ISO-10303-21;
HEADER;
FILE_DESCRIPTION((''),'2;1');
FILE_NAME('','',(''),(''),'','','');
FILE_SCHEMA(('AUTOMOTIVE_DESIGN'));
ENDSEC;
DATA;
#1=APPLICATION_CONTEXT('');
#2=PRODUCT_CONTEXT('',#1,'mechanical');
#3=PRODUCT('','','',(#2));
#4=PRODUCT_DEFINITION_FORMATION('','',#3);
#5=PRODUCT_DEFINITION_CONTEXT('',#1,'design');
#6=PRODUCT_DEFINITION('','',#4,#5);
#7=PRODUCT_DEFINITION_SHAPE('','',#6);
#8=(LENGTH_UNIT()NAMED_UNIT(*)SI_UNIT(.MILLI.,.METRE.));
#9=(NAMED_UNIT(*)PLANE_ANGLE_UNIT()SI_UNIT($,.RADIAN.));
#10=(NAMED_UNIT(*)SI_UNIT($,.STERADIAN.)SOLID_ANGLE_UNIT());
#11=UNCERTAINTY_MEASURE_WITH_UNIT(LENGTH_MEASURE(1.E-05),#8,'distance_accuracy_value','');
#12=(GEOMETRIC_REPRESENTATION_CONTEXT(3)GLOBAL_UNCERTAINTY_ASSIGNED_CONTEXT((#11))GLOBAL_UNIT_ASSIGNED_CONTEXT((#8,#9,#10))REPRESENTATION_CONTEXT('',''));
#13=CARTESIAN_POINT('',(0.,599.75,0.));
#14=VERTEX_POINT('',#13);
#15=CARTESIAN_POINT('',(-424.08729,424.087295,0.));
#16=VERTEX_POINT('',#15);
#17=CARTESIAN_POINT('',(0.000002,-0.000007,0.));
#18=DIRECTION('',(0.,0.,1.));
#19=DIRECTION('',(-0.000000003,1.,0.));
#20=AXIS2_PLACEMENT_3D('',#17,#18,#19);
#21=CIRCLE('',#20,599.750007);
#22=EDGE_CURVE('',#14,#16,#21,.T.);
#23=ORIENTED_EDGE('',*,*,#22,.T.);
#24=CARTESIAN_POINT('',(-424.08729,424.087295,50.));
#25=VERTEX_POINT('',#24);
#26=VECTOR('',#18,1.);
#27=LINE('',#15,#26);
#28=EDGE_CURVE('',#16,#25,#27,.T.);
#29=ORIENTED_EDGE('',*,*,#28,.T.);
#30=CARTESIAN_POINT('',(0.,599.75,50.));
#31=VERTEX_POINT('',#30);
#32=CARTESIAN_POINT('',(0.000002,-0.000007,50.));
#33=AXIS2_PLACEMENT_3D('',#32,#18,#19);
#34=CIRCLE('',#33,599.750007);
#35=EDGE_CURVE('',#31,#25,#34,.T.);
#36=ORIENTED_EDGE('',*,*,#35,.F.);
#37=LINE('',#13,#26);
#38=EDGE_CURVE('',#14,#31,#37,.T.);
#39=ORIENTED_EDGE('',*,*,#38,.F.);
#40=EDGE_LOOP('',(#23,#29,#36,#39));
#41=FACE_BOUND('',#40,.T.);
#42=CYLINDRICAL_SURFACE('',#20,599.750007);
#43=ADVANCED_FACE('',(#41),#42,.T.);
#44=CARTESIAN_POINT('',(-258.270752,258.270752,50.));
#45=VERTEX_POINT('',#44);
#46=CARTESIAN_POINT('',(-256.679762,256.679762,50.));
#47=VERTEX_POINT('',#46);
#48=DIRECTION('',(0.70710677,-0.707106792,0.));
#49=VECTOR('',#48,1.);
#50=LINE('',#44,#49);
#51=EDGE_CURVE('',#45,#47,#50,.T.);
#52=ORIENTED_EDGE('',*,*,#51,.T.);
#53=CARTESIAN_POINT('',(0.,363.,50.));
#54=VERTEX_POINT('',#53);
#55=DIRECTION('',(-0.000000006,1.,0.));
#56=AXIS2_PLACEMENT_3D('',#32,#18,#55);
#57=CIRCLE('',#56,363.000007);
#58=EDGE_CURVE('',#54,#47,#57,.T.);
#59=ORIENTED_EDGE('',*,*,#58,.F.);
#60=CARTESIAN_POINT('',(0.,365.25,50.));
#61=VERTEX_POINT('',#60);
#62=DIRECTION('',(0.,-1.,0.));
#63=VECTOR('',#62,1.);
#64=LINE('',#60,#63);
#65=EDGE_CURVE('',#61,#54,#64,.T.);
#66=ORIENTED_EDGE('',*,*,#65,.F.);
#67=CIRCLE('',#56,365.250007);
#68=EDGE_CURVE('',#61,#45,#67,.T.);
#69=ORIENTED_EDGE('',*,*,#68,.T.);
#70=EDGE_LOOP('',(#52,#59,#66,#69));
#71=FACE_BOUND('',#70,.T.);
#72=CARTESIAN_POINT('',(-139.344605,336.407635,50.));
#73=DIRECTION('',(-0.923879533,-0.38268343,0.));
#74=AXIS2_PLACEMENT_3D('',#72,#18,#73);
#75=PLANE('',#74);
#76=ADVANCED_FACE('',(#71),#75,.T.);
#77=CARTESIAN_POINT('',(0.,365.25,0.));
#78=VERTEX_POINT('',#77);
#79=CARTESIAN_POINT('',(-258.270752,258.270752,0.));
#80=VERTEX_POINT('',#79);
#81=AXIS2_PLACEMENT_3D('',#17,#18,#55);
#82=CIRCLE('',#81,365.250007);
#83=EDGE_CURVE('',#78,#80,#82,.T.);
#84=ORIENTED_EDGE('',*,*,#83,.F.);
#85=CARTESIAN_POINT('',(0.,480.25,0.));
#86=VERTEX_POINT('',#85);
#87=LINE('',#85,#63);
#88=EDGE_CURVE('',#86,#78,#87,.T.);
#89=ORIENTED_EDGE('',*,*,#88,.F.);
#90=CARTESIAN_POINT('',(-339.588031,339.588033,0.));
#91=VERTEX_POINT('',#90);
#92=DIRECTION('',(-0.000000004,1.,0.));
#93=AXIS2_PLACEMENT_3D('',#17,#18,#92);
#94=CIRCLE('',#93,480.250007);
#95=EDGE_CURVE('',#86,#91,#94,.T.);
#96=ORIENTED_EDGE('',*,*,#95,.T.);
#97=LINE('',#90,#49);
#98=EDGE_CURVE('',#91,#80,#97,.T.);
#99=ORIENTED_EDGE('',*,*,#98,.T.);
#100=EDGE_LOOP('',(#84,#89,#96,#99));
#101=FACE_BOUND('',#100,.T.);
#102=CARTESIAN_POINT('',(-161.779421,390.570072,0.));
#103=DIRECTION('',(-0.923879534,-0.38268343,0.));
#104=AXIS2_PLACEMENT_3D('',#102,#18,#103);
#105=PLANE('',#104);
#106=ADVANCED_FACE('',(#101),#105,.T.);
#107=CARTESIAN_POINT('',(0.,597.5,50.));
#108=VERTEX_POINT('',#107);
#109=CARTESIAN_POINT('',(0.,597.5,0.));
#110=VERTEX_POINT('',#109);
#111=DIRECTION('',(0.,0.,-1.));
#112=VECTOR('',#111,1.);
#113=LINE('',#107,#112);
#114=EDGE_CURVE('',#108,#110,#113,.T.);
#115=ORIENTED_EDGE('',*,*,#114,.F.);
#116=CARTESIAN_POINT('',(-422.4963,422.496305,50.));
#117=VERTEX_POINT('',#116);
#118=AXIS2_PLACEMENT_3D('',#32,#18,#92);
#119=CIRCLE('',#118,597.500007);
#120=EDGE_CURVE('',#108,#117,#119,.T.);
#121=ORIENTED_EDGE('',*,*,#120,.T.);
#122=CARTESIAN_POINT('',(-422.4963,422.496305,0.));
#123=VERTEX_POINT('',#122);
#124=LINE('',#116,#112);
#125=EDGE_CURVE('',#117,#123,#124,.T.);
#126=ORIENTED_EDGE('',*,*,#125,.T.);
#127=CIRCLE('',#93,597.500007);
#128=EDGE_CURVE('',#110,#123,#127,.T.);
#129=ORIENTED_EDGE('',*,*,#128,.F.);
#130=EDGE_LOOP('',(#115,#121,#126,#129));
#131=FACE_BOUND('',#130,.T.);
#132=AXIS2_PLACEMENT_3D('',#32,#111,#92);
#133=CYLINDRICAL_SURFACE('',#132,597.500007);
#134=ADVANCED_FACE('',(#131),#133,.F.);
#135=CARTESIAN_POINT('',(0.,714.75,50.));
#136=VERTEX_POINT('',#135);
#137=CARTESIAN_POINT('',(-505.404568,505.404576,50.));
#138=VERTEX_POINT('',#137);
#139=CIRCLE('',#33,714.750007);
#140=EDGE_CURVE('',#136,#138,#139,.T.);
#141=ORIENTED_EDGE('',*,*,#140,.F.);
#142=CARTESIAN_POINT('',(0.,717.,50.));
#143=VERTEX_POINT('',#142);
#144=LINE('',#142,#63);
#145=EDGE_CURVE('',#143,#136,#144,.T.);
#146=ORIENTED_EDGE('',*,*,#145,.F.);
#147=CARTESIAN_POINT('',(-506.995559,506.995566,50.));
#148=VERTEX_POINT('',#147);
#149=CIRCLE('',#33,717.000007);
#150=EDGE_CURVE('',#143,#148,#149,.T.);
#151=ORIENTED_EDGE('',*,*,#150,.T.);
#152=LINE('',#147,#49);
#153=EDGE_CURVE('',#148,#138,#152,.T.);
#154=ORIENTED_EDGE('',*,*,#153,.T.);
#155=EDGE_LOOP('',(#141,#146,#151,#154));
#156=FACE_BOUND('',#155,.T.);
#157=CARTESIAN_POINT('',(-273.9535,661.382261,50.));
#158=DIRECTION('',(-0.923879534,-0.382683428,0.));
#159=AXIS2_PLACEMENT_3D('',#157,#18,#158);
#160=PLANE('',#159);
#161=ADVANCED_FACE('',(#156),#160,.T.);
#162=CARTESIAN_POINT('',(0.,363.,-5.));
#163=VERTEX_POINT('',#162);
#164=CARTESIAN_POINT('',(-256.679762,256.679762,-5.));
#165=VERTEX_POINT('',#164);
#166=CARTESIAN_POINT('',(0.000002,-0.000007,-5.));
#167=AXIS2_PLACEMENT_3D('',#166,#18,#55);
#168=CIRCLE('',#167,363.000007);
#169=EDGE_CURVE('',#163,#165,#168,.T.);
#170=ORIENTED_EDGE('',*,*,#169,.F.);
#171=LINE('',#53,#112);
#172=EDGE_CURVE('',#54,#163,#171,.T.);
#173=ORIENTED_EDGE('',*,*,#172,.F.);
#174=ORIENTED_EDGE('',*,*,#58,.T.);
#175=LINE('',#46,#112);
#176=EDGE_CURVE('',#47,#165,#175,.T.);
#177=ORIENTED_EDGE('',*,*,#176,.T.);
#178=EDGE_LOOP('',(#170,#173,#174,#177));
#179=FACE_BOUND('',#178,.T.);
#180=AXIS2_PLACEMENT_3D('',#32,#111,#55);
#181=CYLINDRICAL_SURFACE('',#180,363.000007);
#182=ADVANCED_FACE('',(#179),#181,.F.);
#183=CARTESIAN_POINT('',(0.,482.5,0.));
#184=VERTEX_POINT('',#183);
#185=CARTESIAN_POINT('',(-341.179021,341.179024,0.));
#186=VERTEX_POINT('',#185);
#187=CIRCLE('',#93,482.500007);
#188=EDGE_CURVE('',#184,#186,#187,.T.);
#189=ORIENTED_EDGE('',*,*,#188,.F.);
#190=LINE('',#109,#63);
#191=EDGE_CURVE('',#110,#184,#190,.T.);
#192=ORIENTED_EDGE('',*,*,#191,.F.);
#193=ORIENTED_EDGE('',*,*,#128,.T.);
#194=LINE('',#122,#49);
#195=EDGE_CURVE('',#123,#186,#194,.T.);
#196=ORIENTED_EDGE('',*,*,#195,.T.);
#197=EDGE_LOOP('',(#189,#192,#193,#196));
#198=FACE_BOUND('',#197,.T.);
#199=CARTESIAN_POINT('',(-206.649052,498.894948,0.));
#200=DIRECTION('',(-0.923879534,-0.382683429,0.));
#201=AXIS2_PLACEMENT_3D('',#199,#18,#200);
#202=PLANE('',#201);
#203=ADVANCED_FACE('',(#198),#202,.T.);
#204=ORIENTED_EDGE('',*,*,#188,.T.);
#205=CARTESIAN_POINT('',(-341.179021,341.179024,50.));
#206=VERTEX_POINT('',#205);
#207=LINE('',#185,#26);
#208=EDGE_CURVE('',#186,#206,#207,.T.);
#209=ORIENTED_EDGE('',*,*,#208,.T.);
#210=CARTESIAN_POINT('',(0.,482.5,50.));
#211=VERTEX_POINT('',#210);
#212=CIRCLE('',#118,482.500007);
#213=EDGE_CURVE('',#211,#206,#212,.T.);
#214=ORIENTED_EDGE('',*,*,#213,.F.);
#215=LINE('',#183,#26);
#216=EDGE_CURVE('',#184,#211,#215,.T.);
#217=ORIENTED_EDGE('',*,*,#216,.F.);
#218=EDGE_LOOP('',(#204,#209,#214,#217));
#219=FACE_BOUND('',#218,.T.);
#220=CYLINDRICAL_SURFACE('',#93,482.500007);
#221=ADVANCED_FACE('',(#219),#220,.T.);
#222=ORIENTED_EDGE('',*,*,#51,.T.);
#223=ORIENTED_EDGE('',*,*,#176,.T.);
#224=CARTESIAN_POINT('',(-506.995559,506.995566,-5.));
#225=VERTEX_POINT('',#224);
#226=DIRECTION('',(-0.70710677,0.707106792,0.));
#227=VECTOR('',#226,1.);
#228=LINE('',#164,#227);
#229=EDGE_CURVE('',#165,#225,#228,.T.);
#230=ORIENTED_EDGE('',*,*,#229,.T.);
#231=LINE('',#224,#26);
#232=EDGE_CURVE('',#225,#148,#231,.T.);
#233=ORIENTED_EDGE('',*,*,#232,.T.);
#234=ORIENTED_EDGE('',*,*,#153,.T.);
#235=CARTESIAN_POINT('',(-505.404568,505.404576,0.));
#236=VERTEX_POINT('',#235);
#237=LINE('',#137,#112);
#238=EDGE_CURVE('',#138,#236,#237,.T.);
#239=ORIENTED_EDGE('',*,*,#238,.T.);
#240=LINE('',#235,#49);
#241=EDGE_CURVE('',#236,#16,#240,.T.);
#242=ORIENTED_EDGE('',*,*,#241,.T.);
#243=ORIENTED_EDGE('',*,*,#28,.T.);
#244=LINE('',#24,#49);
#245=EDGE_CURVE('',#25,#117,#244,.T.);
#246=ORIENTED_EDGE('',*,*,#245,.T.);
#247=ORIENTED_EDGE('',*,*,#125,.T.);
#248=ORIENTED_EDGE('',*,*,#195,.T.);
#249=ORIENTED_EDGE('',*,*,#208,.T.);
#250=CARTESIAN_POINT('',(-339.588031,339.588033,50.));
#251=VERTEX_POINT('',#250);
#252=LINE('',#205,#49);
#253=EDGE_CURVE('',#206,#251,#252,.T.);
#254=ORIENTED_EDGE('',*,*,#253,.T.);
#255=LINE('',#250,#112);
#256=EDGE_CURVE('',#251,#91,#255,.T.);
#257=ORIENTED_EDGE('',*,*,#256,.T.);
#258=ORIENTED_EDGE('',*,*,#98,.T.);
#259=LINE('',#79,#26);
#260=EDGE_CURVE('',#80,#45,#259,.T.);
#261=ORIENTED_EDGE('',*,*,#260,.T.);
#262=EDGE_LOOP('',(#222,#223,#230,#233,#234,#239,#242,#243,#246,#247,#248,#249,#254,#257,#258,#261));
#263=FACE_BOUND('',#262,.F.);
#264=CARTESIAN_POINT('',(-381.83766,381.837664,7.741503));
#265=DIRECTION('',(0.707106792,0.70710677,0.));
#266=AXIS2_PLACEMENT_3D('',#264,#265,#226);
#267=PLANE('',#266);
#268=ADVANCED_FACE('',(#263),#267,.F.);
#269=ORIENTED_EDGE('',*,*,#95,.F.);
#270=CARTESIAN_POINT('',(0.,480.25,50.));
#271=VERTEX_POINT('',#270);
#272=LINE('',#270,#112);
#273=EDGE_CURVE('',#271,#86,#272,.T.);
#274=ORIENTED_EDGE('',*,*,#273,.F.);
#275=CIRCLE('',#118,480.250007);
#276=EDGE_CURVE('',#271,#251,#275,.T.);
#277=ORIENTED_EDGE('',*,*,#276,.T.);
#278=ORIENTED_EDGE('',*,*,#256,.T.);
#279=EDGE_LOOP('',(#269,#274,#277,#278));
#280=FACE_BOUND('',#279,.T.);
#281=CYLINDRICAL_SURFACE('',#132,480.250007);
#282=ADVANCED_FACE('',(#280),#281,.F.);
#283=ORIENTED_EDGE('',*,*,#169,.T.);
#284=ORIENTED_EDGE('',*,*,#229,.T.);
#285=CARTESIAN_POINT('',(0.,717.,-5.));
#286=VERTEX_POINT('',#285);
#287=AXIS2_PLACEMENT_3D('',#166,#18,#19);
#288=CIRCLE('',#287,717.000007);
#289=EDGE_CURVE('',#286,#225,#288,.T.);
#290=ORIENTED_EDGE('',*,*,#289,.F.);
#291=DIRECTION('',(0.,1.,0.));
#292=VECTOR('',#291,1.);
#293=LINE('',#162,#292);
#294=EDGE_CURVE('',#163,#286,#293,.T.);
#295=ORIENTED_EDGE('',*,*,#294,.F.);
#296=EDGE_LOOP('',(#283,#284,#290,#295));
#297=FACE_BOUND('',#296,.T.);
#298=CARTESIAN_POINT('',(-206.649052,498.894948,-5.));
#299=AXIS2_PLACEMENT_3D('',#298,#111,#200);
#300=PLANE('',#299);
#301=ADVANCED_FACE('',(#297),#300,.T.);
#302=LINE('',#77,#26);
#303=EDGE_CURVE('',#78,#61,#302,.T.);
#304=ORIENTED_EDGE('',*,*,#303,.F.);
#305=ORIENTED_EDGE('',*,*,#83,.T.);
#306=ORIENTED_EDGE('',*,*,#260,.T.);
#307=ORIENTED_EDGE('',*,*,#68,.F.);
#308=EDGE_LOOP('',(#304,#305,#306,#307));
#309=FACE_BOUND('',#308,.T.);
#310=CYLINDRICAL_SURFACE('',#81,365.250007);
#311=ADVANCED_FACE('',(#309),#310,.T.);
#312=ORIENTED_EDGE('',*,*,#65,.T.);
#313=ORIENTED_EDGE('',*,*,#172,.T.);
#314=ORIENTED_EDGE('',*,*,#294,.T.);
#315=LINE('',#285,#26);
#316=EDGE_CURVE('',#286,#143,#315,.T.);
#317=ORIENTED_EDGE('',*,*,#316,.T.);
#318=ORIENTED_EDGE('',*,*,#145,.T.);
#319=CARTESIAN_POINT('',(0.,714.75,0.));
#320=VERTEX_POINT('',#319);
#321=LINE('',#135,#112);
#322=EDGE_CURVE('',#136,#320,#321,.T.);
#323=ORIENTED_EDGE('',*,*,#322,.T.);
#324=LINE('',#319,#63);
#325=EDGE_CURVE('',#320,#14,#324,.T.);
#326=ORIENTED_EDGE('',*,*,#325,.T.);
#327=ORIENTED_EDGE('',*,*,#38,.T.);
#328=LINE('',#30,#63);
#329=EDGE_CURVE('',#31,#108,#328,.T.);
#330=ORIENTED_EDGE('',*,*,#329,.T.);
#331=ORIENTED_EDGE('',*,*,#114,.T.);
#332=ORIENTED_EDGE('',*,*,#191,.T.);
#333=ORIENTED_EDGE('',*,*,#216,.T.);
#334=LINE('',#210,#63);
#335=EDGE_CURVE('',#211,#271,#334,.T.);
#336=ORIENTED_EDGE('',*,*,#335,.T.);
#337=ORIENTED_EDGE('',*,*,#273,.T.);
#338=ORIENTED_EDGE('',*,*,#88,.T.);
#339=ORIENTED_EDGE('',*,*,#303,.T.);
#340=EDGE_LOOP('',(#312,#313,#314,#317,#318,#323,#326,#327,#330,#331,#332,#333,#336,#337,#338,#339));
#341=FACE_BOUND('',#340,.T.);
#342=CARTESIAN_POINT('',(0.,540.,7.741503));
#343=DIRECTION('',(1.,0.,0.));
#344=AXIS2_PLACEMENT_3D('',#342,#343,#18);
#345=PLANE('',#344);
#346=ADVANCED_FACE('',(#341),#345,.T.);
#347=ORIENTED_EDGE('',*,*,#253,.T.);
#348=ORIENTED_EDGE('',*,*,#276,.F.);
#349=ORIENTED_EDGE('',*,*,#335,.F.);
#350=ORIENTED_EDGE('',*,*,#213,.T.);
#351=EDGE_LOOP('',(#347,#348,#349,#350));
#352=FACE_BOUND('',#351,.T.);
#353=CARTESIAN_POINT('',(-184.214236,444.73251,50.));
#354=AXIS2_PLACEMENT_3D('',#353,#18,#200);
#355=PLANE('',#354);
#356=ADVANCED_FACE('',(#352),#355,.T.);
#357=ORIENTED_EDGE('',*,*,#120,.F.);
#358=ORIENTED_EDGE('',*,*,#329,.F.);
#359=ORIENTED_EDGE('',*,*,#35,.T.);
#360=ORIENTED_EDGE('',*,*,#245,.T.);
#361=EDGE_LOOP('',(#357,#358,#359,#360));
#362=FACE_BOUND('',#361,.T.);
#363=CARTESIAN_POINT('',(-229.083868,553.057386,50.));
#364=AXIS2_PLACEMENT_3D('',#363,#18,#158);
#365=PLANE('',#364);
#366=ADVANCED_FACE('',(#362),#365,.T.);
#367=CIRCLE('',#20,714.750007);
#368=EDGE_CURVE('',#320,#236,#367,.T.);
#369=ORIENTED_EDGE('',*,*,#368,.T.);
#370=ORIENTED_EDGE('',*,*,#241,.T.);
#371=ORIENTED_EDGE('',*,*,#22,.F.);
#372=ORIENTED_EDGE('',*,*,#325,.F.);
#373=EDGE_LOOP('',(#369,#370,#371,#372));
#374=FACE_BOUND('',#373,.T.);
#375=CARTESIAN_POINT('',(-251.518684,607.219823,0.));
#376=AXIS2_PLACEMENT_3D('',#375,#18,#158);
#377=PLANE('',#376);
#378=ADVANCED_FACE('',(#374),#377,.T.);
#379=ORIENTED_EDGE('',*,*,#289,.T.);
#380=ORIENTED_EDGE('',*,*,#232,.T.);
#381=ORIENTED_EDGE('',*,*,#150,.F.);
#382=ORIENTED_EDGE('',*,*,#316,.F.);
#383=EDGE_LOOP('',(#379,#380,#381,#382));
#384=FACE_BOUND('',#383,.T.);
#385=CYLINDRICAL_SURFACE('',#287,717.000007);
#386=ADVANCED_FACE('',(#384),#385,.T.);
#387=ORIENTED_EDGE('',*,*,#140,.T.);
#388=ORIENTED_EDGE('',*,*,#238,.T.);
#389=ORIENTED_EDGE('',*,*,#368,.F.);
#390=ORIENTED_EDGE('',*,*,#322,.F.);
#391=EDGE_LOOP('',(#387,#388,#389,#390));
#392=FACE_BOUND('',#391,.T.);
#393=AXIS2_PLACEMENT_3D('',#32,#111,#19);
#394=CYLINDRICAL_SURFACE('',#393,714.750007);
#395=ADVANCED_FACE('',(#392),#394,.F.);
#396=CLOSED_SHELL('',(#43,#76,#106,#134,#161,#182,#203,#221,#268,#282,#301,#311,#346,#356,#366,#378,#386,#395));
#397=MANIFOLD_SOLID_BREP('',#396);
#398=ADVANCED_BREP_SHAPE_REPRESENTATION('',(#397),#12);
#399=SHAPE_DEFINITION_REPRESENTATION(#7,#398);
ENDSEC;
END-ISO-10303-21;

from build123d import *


with BuildPart() as f2:
    # F2: sweep along a path in F0
    with BuildLine(Plane.XY) as f2_path:
        ThreePointArc((0, 363), (-138.914086, 335.36827), (-256.679762, 256.679762))
    # F1 (on Right) → F2 (sweep)
    with BuildSketch(Plane.YZ):
        Polygon((363, 50), (363, -5), (717, -5), (717, 50), (714.75, 50), (714.75, 0), (599.75, 0), (599.75, 50), (597.5, 50), (597.5, 0), (482.5, 0), (482.5, 50), (480.25, 50), (480.25, 0), (365.25, 0), (365.25, 50), align=None)
    sweep(path=f2_path.line)


solid = f2.part
